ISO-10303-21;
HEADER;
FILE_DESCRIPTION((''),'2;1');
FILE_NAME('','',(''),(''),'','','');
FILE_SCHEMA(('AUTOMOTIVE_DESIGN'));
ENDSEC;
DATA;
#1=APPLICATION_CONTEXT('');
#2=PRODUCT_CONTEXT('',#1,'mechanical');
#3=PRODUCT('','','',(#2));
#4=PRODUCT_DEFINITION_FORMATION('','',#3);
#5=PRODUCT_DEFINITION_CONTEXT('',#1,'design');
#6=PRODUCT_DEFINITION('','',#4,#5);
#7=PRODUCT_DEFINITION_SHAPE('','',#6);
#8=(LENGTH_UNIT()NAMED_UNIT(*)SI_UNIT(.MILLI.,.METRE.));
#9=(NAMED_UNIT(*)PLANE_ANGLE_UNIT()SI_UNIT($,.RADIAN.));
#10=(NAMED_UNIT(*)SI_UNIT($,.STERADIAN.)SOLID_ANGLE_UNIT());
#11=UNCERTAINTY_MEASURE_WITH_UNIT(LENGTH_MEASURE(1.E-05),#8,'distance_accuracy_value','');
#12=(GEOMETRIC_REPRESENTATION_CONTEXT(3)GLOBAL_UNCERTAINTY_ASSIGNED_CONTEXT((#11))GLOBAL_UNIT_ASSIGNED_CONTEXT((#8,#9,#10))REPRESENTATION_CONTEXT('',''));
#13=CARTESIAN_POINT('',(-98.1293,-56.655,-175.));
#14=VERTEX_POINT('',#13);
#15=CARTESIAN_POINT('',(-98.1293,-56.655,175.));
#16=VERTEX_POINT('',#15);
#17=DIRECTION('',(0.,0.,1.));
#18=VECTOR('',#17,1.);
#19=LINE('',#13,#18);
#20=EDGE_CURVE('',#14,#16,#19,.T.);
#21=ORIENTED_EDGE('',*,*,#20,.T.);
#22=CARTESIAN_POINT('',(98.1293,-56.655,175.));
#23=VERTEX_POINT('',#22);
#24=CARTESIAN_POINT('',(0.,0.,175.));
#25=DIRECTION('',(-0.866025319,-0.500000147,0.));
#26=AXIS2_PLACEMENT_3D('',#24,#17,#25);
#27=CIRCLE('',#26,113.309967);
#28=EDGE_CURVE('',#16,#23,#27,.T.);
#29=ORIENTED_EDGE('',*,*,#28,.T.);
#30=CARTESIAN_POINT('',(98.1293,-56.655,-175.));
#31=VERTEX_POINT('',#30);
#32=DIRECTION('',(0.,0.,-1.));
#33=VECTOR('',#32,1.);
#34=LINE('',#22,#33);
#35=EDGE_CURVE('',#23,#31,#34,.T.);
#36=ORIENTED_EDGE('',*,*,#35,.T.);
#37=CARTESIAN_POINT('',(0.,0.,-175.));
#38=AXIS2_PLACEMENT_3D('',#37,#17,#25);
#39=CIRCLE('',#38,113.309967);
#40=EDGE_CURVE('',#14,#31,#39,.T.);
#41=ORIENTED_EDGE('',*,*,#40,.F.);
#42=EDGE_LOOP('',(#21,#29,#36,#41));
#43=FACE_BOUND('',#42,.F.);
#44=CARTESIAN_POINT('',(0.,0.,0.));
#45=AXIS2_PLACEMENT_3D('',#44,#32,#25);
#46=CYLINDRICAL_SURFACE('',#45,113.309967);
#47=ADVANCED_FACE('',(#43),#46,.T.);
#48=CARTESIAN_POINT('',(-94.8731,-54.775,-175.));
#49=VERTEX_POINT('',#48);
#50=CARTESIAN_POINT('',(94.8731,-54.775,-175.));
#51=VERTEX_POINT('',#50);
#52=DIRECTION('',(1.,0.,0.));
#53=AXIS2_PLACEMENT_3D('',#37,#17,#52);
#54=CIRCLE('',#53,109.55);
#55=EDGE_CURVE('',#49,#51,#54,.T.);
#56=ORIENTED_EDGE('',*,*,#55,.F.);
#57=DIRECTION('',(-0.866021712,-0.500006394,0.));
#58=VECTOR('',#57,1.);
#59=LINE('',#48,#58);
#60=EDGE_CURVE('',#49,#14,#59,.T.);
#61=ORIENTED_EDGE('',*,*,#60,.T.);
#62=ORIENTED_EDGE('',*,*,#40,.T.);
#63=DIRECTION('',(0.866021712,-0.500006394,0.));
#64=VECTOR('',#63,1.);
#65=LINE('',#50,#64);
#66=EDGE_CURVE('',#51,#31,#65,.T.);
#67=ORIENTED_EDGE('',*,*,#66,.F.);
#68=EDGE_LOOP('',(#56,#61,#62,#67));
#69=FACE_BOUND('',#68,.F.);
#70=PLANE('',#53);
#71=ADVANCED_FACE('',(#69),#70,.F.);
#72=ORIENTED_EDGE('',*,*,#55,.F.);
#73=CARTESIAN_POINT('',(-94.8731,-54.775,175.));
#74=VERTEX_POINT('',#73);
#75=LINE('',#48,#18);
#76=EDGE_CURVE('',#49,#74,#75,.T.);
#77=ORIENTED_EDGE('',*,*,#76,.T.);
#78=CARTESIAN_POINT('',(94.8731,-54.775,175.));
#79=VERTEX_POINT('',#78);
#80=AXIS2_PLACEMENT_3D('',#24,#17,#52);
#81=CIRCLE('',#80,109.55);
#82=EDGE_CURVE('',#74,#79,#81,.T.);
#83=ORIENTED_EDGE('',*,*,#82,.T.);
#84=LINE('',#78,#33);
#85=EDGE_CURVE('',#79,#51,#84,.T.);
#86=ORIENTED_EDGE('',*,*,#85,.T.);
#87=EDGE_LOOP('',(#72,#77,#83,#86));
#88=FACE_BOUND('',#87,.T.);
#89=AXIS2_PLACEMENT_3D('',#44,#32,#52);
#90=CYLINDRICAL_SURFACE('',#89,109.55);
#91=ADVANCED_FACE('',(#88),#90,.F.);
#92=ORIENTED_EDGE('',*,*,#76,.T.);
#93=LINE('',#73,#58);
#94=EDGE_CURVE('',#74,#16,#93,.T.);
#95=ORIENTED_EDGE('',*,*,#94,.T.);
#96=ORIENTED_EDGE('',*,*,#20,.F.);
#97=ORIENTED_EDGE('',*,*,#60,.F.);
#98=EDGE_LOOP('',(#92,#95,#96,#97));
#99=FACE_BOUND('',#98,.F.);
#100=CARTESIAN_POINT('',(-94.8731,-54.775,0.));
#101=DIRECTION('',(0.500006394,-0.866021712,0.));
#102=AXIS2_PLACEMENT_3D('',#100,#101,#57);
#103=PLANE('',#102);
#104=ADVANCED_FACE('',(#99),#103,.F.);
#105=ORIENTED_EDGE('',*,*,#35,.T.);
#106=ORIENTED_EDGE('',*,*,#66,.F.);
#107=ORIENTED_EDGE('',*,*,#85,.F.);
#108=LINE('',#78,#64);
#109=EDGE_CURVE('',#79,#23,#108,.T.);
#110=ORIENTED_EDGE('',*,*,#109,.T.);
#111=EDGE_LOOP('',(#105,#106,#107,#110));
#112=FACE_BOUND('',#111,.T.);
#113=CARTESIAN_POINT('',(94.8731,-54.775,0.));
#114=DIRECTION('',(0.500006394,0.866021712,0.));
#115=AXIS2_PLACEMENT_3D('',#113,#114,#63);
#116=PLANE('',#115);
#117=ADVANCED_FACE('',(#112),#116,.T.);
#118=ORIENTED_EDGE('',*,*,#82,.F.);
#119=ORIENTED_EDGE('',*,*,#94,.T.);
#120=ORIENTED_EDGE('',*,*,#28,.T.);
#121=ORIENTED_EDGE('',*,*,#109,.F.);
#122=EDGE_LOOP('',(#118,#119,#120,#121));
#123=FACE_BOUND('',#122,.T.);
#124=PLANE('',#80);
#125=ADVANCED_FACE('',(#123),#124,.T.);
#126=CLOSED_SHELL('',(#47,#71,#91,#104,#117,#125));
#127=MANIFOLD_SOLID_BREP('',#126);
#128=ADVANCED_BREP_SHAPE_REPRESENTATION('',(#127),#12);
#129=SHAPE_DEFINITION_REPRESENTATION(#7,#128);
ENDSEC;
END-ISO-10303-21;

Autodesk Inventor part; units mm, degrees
ref_plane "YZ Plane" through (0, 0, 0) normal (1, 0, 0) x (0, 1, 0)
ref_plane "XZ Plane" through (0, 0, 0) normal (0, 1, 0) x (-1, 0, 0)
ref_plane "XY Plane" through (0, 0, 0) normal (0, 0, 1) x (1, 0, 0)
sketch "草圖1" plane through (0, 0, 0) normal (0, 0, 1) x (1, 0, 0)
  circle A0 centre (0, 0) radius 109.55
  line L0 (-94.8731, -54.775) -> (-98.1293, -56.655)
  line L1 (94.8731, -54.775) -> (98.1293, -56.655)
  line L2 (-117.81, 0) -> (117.81, 0) projected
  arc A1 (-98.1293, -56.655) -> (98.1293, -56.655) centre (0, 0) ccw
  circle A2 centre (0, 0) radius 105.79
  dimension "d0" = 219.1
  dimension "d4" = 120
  dimension "d5" = 30
  dimension "d6" = 30
  dimension "d7" = 3.76
  dimension "d12" = 3.76
extrude "擠出2" add sketch "草圖1" along normal mid plane 350 contours A0 L1 A1 L0
sketch "草圖2" plane through (0, 0, 0) normal (0, 0, 1) x (1, 0, 0)
  line L0 (-44.45, 0) -> (44.45, 0) construction
  line L1 (-50, -209.55) -> (50, -209.55)
  line L2 (0, -109.55) -> (-51.4901, -109.55) construction
  line L3 (0, -112.6) -> (0, -201.55) construction
  line L4 (-50, -201.55) -> (-50, -209.55)
  line L5 (50, -209.55) -> (50, -201.55)
  line L6 (-50, -201.55) -> (-2.75, -201.55)
  line L7 (2.75, -201.55) -> (50, -201.55)
  line L8 (-51.4901, -113.31) -> (60.072, -113.31) construction
  line L9 (-2.75, -201.55) -> (-2.75, -112.5203)
  line L10 (2.75, -201.55) -> (2.75, -112.5203)
  arc A0 (-94.8731, -54.775) -> (94.8731, -54.775) centre (0, 0) ccw projected
  arc A1 (-98.1293, -56.655) -> (98.1293, -56.655) centre (0, 0) ccw projected
  circle A2 centre (0, 0) radius 109.55 projected
  point P0 (2.75, -209.55)
  point P1 (-2.75, -209.55)
  point P2 (0, -109.55)
  point P3 (0, -113.31)
  dimension "d14" = 100
  dimension "d15" = 100
  dimension "d18" = 8
  dimension "d19" = 5.5
  dimension "d20" = 5.5
  dimension "d21" = 8
  dimension "d22" = 100
equation "\"d12\" = d7"
equation "\"d10\" = Extra_Lops + 2 * The_Gap_for_section"
equation "\"d14\" = Hops"
equation "\"d15\" = Section_buttom_A"
equation "\"d18\" = Section_Top_thick"
equation "\"d19\" = Section_mid_thick"
equation "\"d20\" = Section_mid_thick"
equation "\"d21\" = d18"
equation "\"d22\" = d15"
equation "\"Section_buttom_A\" = 100"
equation "\"Extra_Plate_B\" = 0"
equation "\"Section_mid_thick\" = 5.5"
equation "\"Section_Top_thick\" = 8"
equation "\"Section_front_gap\" = 35"
equation "\"Section_side_Gap\" = 25"
equation "\"Hops\" = 100"
equation "\"d17\" = Section_Top_thick"
equation "\"Extra_Lops\" = 250"
equation "\"The_Gap_for_section\" = 50"
properties part number "A"
